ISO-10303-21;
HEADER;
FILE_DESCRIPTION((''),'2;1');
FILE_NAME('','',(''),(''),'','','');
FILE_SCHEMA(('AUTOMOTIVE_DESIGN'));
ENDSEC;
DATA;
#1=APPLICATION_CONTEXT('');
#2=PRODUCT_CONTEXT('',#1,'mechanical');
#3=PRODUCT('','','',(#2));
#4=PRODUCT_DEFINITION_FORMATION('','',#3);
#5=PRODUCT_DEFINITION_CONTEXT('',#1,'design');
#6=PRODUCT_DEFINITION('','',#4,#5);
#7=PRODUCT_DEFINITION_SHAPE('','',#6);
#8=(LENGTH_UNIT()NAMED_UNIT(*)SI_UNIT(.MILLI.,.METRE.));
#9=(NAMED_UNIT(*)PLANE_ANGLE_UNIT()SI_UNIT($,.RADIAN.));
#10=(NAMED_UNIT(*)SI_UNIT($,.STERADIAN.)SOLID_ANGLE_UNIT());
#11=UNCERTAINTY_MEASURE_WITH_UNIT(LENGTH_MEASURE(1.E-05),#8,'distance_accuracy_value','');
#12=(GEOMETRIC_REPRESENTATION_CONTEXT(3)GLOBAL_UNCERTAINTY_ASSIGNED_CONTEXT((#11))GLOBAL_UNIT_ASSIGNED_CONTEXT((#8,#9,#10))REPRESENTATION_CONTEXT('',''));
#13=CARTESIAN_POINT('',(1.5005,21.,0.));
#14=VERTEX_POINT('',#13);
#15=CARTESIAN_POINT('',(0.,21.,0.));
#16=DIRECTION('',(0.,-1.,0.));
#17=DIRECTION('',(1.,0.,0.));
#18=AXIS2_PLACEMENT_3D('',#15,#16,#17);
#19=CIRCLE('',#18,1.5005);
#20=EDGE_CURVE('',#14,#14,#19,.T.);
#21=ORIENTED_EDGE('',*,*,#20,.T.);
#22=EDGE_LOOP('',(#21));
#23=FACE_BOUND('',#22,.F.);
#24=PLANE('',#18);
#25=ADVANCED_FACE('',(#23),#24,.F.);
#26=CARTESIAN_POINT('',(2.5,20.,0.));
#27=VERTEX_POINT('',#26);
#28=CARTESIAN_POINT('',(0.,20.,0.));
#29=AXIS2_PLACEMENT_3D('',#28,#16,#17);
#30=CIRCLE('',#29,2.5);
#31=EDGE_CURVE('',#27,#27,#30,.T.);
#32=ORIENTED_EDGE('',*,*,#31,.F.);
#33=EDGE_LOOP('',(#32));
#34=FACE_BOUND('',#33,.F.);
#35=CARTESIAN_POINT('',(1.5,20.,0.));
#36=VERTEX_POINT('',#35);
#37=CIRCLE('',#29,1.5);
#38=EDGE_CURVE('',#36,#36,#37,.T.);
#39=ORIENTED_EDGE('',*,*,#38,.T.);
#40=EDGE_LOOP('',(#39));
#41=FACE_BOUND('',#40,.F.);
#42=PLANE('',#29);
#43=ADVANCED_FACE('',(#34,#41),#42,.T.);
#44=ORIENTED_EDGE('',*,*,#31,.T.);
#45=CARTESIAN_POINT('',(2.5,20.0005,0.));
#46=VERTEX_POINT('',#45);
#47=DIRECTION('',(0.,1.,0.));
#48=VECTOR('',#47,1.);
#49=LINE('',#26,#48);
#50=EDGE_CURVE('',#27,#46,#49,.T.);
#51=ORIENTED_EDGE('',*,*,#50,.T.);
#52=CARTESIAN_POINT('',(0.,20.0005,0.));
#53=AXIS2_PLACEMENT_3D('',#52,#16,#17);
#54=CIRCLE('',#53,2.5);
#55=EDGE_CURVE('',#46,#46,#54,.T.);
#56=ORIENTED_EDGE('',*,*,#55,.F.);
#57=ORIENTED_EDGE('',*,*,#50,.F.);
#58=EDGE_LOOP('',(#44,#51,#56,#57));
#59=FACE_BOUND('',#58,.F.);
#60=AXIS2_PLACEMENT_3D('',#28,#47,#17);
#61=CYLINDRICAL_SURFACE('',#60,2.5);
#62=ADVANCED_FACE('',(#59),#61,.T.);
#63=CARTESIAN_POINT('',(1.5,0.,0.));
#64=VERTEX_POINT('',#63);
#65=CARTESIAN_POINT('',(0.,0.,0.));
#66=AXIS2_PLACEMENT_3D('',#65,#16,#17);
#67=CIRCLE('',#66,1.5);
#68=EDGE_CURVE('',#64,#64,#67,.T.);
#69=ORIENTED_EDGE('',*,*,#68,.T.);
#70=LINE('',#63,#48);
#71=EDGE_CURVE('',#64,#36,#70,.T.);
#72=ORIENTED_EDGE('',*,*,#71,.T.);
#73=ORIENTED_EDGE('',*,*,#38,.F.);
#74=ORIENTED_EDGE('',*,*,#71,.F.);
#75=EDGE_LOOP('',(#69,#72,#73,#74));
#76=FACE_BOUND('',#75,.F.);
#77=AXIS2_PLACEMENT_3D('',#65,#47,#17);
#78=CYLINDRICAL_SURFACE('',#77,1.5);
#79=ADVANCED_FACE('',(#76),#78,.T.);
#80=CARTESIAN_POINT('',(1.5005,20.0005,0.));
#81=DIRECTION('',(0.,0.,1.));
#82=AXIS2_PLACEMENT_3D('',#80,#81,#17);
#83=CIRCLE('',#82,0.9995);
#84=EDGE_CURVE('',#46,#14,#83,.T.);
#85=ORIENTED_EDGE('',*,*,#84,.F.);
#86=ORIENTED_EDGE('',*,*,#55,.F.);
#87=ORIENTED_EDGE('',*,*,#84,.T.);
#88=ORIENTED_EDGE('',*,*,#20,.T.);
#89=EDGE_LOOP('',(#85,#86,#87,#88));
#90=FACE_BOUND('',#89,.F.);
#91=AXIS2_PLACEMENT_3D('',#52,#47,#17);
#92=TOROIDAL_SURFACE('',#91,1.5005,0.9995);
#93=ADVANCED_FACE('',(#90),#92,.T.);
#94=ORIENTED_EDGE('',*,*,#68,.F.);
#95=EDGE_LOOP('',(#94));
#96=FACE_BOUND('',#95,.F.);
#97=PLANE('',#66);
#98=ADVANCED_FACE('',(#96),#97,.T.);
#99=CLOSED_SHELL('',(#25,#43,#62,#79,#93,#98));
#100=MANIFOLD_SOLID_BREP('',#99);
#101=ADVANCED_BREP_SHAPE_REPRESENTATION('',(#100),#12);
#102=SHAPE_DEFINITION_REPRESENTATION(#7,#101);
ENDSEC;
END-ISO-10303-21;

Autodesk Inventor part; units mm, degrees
ref_plane "YZ Plane" through (0, 0, 0) normal (1, 0, 0) x (0, 1, 0)
ref_plane "XZ Plane" through (0, 0, 0) normal (0, 1, 0) x (-1, 0, 0)
ref_plane "XY Plane" through (0, 0, 0) normal (0, 0, 1) x (1, 0, 0)
sketch "Sketch1" plane through (0, 0, 0) normal (0, 0, 1) x (1, 0, 0)
  line L0 (0, 0) -> (1.5, 0)
  line L1 (1.5, 0) -> (1.5, 20)
  line L2 (1.5, 20) -> (0, 20)
  line L3 (0, 20) -> (0, 0)
  line L4 (0, 20) -> (2.5, 20)
  line L5 (2.5, 20) -> (2.5, 21)
  line L6 (2.5, 21) -> (0, 21)
  line L7 (0, 21) -> (0, 20)
  dimension "d0" = 1.5
  dimension "d1" = 2.5
  dimension "d2" = 1
  dimension "d7" = 20
revolve "Revolution1" add sketch "Sketch1" angle 360 about axis through (0, 20, 0) along (0, -1, 0)
fillet "Fillet1" radius 1 1 edges at (-2.5, 21, 0)
thread "Thread1" size "M3x0.5" class "6g" standard "ANSI Metric M Profile" full length
properties part number "M3x20"
